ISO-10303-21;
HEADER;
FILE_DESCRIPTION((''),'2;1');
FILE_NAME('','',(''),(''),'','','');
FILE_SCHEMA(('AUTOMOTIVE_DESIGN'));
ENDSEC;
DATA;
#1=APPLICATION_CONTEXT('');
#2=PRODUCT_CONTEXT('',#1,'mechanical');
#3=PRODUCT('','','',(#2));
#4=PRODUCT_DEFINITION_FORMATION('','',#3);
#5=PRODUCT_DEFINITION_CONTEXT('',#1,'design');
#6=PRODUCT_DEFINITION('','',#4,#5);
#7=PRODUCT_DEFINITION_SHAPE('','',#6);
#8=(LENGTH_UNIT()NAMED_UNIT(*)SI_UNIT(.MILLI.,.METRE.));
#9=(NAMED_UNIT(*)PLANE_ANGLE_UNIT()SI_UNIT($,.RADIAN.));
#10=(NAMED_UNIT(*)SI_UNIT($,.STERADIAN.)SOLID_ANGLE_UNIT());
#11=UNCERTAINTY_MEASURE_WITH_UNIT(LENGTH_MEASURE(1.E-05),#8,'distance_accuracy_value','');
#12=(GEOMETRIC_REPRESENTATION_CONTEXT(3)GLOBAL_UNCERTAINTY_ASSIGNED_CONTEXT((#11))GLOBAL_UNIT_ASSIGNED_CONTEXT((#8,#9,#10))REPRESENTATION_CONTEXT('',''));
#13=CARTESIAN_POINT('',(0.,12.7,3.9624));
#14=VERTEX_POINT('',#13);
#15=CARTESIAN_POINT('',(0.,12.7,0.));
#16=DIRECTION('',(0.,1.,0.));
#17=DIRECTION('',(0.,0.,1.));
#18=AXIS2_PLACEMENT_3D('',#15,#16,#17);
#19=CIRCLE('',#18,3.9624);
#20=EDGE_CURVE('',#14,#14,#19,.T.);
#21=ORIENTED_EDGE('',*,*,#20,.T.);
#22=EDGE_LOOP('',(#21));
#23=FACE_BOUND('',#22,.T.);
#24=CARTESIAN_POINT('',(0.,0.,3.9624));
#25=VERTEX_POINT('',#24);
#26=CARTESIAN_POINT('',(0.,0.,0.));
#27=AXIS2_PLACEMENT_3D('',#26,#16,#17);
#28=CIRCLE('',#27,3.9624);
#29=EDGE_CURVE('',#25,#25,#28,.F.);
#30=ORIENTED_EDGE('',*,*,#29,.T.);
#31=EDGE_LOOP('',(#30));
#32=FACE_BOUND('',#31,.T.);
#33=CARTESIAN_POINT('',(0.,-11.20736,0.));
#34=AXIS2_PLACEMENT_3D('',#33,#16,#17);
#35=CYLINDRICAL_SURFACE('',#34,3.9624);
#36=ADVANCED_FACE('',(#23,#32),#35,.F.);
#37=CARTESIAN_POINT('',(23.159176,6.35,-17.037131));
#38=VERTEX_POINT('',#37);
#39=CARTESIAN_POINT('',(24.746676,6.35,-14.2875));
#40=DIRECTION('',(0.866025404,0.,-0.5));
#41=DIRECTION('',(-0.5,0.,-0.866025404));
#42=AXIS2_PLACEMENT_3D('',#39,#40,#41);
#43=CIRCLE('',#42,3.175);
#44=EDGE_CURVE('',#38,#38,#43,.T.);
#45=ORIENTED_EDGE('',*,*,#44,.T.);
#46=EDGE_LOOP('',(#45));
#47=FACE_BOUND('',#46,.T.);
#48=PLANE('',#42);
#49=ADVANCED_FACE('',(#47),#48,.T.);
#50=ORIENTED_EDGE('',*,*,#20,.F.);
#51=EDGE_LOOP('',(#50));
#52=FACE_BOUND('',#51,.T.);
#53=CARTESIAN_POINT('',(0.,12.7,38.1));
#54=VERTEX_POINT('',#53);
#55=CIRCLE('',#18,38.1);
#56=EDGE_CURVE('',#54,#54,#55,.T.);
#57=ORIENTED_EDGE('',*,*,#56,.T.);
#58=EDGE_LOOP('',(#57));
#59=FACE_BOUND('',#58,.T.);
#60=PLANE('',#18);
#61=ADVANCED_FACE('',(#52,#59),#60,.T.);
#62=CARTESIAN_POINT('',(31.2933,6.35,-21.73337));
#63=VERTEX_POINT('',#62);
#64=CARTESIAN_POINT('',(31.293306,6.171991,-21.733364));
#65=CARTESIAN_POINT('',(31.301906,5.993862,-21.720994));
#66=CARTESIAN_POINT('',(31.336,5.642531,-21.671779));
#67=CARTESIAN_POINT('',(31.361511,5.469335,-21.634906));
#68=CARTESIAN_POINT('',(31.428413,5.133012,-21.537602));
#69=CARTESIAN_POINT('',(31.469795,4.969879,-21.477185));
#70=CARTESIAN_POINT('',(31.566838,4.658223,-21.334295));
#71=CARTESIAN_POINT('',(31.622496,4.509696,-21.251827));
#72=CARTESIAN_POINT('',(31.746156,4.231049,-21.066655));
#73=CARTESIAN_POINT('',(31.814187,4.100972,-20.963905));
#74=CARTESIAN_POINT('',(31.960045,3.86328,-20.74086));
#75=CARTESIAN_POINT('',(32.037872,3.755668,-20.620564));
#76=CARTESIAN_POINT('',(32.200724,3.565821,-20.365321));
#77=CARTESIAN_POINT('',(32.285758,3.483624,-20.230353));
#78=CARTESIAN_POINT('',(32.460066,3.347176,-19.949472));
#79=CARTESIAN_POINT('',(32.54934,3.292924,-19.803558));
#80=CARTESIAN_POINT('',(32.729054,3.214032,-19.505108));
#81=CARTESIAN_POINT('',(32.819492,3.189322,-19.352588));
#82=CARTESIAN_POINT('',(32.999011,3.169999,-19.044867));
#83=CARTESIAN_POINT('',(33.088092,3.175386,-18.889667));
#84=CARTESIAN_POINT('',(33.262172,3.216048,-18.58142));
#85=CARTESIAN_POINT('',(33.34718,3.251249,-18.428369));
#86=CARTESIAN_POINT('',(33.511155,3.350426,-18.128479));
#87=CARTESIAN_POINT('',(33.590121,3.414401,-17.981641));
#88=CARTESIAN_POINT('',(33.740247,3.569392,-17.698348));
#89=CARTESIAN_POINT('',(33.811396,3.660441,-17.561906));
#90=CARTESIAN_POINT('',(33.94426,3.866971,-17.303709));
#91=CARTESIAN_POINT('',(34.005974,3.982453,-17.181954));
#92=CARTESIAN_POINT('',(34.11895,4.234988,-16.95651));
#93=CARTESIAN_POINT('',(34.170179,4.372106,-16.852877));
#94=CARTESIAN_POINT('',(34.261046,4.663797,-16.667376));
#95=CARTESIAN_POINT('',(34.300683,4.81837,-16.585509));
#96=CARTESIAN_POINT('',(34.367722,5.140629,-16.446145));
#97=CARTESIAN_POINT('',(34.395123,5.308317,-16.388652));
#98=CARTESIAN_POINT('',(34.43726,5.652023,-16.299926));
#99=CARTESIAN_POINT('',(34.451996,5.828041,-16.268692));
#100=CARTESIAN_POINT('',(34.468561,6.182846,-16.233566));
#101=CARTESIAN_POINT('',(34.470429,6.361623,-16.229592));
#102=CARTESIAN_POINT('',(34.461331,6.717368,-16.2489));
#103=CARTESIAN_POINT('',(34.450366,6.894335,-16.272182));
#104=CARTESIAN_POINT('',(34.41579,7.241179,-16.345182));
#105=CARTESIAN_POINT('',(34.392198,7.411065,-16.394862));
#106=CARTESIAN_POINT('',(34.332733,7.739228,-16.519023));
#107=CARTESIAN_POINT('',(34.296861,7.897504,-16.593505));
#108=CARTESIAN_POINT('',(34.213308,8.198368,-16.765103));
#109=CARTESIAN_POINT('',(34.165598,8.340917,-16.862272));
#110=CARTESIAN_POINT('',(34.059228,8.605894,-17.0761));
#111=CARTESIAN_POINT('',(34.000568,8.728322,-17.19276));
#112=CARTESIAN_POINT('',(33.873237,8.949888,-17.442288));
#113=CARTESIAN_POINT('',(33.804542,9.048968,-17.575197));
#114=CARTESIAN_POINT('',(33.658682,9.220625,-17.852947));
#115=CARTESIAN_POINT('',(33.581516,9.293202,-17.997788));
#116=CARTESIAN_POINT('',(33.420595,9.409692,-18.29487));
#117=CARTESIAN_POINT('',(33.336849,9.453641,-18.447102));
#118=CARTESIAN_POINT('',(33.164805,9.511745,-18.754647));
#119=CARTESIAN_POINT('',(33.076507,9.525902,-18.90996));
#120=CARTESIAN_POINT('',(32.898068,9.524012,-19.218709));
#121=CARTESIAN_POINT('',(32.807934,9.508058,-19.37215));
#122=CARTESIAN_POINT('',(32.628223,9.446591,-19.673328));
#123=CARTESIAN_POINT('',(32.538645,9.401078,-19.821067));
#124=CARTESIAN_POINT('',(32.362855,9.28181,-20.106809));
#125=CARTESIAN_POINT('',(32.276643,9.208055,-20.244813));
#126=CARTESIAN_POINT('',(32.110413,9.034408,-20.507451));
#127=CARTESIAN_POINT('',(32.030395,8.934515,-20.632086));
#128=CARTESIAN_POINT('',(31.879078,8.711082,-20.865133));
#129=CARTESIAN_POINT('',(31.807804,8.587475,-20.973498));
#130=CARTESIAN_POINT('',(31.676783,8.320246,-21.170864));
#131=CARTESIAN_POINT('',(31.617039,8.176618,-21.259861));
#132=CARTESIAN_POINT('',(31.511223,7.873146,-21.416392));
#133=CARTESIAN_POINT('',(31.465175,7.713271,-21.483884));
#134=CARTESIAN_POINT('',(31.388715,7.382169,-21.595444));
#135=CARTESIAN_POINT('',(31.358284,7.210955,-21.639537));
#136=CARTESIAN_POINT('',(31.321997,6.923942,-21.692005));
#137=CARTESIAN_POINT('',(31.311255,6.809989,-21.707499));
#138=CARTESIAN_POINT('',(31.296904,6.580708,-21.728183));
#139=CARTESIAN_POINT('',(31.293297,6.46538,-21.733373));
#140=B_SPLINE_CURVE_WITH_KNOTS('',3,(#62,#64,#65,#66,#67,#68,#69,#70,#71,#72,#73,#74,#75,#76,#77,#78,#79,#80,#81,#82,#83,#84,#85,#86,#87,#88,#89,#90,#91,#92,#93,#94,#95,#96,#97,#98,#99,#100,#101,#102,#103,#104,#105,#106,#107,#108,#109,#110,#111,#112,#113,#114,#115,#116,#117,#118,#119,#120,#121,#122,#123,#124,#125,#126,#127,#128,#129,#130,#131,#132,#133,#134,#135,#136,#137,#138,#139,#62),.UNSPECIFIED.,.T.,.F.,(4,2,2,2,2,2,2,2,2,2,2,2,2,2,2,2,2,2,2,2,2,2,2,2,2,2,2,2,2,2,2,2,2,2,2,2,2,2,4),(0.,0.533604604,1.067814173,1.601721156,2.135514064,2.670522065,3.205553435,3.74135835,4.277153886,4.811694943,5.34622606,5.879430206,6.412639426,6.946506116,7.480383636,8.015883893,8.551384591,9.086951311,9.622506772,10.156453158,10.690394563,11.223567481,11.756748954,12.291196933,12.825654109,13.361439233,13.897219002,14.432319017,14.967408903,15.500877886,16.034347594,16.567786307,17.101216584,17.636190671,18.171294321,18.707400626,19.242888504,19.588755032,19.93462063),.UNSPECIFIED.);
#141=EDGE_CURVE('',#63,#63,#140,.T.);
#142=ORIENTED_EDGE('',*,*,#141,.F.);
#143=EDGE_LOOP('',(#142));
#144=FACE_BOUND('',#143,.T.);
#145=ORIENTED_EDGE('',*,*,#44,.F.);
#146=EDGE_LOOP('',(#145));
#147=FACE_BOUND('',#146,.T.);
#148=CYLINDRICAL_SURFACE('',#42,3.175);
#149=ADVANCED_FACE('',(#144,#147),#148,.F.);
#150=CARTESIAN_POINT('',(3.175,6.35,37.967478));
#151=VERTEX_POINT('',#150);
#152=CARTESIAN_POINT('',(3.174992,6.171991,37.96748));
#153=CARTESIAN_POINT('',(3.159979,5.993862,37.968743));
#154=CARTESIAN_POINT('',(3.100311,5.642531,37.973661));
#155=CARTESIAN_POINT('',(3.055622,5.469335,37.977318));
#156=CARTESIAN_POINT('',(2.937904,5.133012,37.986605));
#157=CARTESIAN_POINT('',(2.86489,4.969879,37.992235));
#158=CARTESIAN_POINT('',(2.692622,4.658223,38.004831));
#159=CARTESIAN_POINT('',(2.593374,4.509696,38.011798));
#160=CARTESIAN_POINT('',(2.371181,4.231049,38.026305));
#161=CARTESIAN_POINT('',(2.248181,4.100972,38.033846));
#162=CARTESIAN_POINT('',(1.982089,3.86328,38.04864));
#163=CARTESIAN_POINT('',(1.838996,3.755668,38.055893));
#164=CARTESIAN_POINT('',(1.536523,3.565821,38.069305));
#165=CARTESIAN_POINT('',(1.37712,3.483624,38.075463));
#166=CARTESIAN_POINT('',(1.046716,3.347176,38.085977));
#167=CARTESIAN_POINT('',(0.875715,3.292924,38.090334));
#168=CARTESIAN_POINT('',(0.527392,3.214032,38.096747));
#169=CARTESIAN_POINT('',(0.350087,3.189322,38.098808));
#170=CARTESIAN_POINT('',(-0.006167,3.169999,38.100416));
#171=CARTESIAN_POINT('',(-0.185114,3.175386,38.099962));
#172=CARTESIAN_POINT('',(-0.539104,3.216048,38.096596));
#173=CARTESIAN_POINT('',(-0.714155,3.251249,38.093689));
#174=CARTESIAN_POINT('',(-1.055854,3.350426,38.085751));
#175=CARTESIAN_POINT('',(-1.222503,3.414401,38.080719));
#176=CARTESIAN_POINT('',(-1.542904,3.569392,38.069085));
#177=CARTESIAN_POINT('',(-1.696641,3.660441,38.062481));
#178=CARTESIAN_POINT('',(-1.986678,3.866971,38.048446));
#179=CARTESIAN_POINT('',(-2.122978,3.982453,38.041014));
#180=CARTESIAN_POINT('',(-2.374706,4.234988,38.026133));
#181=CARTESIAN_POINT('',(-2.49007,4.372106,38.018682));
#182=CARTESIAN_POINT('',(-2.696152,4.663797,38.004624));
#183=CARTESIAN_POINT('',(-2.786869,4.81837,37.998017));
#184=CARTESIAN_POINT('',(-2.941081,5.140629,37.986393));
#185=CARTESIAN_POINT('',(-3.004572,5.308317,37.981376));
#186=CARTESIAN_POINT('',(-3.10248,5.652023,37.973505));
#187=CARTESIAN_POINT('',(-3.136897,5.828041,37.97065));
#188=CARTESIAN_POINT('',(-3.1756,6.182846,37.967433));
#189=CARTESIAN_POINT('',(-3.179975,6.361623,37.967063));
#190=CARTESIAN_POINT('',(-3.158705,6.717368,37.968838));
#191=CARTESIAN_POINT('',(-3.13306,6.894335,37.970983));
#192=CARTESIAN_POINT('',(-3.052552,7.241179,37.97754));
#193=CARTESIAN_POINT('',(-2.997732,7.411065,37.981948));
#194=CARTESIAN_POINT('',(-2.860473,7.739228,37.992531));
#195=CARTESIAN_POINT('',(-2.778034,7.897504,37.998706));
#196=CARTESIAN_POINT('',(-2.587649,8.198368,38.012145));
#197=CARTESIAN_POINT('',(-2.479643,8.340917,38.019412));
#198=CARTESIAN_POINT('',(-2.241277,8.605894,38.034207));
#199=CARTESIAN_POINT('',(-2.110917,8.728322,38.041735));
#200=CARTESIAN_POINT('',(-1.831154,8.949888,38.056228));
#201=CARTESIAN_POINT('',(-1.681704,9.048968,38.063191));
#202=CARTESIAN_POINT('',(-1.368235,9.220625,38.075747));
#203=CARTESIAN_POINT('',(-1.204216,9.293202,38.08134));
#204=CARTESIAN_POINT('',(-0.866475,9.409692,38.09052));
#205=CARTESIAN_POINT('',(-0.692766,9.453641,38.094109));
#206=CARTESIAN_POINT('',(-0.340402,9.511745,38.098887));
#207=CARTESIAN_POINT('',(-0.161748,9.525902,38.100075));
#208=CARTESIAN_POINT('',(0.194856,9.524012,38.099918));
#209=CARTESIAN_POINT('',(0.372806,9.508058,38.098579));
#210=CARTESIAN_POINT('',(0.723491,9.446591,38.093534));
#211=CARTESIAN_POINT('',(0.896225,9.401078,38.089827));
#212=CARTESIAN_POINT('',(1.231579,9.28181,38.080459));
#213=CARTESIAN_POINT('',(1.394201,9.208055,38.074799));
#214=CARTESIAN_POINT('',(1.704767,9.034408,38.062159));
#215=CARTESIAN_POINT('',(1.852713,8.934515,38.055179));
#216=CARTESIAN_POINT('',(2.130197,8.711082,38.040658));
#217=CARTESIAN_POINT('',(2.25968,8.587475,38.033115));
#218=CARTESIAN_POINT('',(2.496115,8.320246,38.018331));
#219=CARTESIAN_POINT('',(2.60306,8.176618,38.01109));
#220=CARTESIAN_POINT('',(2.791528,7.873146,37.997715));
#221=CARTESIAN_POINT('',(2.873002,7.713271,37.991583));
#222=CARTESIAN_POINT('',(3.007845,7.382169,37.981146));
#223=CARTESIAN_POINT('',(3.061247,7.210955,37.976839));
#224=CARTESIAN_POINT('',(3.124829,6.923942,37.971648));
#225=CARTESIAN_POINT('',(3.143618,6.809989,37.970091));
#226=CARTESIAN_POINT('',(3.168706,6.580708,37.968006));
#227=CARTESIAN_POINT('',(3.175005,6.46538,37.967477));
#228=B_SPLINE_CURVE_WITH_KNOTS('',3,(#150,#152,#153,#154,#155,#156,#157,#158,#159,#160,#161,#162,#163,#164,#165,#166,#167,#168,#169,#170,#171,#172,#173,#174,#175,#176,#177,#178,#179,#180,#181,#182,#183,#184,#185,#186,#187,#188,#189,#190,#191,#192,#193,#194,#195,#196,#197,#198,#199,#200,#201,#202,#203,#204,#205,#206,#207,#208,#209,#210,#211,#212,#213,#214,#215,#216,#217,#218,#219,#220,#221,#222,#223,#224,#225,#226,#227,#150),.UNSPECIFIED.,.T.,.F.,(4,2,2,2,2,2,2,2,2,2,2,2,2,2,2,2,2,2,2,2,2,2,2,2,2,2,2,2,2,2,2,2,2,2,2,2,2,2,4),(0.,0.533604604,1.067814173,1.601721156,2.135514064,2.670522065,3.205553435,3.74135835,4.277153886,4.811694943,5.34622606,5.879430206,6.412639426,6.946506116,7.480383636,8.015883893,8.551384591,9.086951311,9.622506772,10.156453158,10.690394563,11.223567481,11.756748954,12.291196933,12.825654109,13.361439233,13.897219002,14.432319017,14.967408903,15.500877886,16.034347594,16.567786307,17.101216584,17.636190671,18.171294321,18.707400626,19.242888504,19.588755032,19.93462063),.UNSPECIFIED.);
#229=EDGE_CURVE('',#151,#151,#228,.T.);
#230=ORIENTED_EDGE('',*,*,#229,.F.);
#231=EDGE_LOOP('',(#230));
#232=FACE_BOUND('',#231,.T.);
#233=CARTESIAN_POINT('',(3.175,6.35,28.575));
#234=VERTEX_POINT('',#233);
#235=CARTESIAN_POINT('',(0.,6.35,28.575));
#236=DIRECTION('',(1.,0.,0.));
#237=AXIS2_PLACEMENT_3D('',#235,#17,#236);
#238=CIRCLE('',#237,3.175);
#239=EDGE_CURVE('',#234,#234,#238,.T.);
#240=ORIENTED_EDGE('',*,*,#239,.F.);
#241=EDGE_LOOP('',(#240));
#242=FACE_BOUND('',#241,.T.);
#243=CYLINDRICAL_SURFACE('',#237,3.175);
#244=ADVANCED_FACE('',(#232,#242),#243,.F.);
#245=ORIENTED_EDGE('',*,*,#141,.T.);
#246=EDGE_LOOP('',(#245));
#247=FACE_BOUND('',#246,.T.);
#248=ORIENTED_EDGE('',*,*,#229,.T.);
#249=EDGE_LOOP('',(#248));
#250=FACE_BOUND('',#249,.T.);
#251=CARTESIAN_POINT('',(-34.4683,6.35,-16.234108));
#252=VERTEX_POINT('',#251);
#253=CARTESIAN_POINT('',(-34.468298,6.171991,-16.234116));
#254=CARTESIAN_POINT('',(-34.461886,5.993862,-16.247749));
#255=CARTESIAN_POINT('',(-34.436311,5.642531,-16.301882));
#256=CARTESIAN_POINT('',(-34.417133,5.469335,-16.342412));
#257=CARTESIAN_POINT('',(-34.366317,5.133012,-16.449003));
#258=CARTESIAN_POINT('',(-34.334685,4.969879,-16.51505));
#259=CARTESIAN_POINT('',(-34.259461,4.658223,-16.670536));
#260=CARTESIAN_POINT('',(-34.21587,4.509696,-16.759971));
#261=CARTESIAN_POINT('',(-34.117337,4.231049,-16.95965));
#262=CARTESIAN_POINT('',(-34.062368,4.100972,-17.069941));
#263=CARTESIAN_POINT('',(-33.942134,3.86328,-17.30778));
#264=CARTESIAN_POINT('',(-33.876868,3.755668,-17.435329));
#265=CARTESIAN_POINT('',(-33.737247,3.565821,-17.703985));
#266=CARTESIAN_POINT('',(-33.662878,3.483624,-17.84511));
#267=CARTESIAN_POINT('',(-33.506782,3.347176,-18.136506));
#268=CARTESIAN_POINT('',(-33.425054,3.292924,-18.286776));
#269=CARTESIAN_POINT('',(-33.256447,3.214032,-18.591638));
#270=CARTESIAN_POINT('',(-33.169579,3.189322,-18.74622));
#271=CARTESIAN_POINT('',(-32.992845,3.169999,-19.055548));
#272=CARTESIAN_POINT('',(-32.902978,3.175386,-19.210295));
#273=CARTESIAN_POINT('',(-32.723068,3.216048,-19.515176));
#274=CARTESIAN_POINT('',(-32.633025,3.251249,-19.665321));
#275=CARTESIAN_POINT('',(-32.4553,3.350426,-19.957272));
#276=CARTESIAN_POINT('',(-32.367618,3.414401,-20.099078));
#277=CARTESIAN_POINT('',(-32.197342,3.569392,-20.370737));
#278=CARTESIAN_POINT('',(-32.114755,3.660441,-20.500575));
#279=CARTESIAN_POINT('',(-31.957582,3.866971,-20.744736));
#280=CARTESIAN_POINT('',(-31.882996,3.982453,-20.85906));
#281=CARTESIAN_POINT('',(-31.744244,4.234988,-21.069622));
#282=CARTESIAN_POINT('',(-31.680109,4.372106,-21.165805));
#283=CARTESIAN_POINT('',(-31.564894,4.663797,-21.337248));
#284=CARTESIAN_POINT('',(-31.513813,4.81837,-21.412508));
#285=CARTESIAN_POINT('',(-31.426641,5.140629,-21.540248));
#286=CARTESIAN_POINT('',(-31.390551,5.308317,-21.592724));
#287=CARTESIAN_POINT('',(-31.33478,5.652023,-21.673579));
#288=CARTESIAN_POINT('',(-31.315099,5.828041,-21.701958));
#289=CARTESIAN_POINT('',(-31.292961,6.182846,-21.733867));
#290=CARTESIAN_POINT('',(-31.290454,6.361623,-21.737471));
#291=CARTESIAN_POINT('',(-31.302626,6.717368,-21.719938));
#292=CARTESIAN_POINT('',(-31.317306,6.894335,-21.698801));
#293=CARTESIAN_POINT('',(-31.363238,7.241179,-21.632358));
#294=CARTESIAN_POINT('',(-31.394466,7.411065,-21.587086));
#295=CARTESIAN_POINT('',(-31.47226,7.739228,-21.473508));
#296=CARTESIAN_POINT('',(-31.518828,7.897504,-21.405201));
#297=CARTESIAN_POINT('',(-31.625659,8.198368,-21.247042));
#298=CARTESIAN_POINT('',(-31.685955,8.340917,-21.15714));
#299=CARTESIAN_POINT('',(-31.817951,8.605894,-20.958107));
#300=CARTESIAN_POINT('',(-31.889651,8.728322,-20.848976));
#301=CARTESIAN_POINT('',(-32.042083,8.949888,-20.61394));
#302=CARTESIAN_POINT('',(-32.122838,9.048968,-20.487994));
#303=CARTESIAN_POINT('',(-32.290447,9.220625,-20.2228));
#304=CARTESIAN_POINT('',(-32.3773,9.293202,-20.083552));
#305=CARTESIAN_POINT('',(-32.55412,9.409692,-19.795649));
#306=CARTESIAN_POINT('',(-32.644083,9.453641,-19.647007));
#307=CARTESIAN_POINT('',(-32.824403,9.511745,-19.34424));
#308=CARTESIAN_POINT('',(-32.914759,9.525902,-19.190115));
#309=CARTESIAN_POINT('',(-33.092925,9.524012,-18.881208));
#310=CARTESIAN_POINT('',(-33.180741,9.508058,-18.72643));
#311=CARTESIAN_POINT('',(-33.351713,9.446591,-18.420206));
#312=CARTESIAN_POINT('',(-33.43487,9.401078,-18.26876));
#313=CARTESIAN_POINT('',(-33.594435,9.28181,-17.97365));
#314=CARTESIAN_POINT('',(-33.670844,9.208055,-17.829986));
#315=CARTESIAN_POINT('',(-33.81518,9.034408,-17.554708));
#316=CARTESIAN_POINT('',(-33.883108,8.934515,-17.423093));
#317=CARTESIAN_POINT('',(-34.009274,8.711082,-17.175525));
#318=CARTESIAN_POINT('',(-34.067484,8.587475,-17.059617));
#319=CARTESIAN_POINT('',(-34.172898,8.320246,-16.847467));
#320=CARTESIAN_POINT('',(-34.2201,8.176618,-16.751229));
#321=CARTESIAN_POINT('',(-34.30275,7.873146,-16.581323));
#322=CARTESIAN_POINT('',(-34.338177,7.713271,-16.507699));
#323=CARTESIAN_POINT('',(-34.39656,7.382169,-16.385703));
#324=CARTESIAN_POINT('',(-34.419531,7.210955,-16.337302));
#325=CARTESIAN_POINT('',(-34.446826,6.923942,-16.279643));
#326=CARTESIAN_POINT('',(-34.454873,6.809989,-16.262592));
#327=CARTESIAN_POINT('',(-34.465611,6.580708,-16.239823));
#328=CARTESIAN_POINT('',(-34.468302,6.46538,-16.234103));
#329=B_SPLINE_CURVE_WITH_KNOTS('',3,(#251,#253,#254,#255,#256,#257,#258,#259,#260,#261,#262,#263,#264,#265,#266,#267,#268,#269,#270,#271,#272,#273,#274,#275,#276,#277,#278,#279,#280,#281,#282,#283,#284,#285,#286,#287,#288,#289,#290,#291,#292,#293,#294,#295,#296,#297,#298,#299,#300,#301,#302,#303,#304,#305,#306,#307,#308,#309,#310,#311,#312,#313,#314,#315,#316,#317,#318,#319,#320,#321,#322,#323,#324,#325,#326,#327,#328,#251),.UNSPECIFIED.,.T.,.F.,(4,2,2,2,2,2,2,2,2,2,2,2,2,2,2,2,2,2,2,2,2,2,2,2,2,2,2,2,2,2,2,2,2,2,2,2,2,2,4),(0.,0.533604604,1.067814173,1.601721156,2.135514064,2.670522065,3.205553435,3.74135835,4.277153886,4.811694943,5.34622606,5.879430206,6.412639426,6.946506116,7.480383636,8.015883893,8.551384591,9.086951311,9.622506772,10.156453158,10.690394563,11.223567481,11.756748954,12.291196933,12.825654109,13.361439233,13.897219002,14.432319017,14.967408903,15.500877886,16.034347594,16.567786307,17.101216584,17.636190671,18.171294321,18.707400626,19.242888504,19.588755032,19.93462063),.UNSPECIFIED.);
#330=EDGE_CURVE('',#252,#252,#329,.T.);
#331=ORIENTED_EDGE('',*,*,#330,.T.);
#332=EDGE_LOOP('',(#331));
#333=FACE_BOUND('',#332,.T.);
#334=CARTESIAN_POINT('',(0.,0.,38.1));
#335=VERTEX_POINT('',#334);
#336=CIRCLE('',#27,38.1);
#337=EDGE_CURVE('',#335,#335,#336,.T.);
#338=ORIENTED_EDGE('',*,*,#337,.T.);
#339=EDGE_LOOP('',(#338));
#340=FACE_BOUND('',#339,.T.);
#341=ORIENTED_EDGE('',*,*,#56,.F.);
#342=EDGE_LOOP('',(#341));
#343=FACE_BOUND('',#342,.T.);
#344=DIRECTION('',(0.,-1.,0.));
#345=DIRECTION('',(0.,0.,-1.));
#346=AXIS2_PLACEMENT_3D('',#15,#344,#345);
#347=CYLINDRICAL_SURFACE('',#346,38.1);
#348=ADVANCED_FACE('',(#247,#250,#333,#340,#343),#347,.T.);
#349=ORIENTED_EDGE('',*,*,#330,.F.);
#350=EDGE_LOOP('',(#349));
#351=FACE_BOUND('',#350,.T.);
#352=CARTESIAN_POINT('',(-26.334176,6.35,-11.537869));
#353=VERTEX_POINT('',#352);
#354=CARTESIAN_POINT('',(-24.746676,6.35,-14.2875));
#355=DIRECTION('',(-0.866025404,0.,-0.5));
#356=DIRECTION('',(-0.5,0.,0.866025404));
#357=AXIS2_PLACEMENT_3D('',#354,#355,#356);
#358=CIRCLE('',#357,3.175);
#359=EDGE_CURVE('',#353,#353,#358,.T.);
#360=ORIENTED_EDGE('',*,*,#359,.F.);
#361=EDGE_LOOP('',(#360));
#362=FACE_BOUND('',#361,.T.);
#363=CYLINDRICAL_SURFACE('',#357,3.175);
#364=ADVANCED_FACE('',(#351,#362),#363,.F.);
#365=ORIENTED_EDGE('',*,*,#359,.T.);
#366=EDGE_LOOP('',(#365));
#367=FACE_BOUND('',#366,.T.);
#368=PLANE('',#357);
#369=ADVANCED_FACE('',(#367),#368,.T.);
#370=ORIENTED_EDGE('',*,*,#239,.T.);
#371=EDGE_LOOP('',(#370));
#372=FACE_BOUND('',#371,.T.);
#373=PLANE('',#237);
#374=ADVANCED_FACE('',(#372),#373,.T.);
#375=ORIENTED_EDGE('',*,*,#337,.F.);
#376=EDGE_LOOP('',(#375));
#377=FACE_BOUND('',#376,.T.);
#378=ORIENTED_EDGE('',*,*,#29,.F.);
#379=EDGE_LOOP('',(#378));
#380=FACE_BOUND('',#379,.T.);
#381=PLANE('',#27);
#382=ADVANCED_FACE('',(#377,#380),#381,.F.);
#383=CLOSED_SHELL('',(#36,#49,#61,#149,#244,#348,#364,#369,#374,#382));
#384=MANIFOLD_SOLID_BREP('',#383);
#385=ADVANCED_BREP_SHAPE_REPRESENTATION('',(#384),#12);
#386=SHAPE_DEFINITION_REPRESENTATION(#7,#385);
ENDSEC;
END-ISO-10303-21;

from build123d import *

# Parameters (mm, degrees)
SKETCH1_R           = 38.1
BOSS_EXTRUDE1_DEPTH = 12.7
SKETCH2_R           = 3.175
CUT_EXTRUDE1_DEPTH  = 9.525
CIRPATTERN1_COUNT   = 3
SKETCH3_R           = 3.9624
CUT_EXTRUDE2_DEPTH  = 12.7


with BuildPart() as part:
    # Sketch1 → Boss-Extrude1 (new body)
    with BuildSketch(Plane(origin=(0, 0, 0), x_dir=(1, 0, 0), z_dir=(0, 1, 0))):
        Circle(SKETCH1_R)
    extrude(amount=BOSS_EXTRUDE1_DEPTH)

    # Sketch2 → Cut-Extrude1 (cut)
    with BuildSketch(Plane.XY.offset(38.1)):
        with Locations((0, 6.35)):
            Circle(SKETCH2_R)
    cut_extrude1 = extrude(amount=-CUT_EXTRUDE1_DEPTH, mode=Mode.SUBTRACT)

    # CirPattern1: Cut-Extrude1 ×3 about axis
    cirpattern1_axis = Axis((0, 0, 0), (0, 1, 0))
    for i in range(1, CIRPATTERN1_COUNT):
        add(cut_extrude1.rotate(cirpattern1_axis, i * 360 / CIRPATTERN1_COUNT), mode=Mode.SUBTRACT)

    # Sketch3 → Cut-Extrude2 (cut)
    with BuildSketch(Plane(origin=(0, 12.7, 0), x_dir=(1, 0, 0), z_dir=(0, 1, 0))):
        Circle(SKETCH3_R)
    extrude(amount=-CUT_EXTRUDE2_DEPTH, mode=Mode.SUBTRACT)


solid = part.part
